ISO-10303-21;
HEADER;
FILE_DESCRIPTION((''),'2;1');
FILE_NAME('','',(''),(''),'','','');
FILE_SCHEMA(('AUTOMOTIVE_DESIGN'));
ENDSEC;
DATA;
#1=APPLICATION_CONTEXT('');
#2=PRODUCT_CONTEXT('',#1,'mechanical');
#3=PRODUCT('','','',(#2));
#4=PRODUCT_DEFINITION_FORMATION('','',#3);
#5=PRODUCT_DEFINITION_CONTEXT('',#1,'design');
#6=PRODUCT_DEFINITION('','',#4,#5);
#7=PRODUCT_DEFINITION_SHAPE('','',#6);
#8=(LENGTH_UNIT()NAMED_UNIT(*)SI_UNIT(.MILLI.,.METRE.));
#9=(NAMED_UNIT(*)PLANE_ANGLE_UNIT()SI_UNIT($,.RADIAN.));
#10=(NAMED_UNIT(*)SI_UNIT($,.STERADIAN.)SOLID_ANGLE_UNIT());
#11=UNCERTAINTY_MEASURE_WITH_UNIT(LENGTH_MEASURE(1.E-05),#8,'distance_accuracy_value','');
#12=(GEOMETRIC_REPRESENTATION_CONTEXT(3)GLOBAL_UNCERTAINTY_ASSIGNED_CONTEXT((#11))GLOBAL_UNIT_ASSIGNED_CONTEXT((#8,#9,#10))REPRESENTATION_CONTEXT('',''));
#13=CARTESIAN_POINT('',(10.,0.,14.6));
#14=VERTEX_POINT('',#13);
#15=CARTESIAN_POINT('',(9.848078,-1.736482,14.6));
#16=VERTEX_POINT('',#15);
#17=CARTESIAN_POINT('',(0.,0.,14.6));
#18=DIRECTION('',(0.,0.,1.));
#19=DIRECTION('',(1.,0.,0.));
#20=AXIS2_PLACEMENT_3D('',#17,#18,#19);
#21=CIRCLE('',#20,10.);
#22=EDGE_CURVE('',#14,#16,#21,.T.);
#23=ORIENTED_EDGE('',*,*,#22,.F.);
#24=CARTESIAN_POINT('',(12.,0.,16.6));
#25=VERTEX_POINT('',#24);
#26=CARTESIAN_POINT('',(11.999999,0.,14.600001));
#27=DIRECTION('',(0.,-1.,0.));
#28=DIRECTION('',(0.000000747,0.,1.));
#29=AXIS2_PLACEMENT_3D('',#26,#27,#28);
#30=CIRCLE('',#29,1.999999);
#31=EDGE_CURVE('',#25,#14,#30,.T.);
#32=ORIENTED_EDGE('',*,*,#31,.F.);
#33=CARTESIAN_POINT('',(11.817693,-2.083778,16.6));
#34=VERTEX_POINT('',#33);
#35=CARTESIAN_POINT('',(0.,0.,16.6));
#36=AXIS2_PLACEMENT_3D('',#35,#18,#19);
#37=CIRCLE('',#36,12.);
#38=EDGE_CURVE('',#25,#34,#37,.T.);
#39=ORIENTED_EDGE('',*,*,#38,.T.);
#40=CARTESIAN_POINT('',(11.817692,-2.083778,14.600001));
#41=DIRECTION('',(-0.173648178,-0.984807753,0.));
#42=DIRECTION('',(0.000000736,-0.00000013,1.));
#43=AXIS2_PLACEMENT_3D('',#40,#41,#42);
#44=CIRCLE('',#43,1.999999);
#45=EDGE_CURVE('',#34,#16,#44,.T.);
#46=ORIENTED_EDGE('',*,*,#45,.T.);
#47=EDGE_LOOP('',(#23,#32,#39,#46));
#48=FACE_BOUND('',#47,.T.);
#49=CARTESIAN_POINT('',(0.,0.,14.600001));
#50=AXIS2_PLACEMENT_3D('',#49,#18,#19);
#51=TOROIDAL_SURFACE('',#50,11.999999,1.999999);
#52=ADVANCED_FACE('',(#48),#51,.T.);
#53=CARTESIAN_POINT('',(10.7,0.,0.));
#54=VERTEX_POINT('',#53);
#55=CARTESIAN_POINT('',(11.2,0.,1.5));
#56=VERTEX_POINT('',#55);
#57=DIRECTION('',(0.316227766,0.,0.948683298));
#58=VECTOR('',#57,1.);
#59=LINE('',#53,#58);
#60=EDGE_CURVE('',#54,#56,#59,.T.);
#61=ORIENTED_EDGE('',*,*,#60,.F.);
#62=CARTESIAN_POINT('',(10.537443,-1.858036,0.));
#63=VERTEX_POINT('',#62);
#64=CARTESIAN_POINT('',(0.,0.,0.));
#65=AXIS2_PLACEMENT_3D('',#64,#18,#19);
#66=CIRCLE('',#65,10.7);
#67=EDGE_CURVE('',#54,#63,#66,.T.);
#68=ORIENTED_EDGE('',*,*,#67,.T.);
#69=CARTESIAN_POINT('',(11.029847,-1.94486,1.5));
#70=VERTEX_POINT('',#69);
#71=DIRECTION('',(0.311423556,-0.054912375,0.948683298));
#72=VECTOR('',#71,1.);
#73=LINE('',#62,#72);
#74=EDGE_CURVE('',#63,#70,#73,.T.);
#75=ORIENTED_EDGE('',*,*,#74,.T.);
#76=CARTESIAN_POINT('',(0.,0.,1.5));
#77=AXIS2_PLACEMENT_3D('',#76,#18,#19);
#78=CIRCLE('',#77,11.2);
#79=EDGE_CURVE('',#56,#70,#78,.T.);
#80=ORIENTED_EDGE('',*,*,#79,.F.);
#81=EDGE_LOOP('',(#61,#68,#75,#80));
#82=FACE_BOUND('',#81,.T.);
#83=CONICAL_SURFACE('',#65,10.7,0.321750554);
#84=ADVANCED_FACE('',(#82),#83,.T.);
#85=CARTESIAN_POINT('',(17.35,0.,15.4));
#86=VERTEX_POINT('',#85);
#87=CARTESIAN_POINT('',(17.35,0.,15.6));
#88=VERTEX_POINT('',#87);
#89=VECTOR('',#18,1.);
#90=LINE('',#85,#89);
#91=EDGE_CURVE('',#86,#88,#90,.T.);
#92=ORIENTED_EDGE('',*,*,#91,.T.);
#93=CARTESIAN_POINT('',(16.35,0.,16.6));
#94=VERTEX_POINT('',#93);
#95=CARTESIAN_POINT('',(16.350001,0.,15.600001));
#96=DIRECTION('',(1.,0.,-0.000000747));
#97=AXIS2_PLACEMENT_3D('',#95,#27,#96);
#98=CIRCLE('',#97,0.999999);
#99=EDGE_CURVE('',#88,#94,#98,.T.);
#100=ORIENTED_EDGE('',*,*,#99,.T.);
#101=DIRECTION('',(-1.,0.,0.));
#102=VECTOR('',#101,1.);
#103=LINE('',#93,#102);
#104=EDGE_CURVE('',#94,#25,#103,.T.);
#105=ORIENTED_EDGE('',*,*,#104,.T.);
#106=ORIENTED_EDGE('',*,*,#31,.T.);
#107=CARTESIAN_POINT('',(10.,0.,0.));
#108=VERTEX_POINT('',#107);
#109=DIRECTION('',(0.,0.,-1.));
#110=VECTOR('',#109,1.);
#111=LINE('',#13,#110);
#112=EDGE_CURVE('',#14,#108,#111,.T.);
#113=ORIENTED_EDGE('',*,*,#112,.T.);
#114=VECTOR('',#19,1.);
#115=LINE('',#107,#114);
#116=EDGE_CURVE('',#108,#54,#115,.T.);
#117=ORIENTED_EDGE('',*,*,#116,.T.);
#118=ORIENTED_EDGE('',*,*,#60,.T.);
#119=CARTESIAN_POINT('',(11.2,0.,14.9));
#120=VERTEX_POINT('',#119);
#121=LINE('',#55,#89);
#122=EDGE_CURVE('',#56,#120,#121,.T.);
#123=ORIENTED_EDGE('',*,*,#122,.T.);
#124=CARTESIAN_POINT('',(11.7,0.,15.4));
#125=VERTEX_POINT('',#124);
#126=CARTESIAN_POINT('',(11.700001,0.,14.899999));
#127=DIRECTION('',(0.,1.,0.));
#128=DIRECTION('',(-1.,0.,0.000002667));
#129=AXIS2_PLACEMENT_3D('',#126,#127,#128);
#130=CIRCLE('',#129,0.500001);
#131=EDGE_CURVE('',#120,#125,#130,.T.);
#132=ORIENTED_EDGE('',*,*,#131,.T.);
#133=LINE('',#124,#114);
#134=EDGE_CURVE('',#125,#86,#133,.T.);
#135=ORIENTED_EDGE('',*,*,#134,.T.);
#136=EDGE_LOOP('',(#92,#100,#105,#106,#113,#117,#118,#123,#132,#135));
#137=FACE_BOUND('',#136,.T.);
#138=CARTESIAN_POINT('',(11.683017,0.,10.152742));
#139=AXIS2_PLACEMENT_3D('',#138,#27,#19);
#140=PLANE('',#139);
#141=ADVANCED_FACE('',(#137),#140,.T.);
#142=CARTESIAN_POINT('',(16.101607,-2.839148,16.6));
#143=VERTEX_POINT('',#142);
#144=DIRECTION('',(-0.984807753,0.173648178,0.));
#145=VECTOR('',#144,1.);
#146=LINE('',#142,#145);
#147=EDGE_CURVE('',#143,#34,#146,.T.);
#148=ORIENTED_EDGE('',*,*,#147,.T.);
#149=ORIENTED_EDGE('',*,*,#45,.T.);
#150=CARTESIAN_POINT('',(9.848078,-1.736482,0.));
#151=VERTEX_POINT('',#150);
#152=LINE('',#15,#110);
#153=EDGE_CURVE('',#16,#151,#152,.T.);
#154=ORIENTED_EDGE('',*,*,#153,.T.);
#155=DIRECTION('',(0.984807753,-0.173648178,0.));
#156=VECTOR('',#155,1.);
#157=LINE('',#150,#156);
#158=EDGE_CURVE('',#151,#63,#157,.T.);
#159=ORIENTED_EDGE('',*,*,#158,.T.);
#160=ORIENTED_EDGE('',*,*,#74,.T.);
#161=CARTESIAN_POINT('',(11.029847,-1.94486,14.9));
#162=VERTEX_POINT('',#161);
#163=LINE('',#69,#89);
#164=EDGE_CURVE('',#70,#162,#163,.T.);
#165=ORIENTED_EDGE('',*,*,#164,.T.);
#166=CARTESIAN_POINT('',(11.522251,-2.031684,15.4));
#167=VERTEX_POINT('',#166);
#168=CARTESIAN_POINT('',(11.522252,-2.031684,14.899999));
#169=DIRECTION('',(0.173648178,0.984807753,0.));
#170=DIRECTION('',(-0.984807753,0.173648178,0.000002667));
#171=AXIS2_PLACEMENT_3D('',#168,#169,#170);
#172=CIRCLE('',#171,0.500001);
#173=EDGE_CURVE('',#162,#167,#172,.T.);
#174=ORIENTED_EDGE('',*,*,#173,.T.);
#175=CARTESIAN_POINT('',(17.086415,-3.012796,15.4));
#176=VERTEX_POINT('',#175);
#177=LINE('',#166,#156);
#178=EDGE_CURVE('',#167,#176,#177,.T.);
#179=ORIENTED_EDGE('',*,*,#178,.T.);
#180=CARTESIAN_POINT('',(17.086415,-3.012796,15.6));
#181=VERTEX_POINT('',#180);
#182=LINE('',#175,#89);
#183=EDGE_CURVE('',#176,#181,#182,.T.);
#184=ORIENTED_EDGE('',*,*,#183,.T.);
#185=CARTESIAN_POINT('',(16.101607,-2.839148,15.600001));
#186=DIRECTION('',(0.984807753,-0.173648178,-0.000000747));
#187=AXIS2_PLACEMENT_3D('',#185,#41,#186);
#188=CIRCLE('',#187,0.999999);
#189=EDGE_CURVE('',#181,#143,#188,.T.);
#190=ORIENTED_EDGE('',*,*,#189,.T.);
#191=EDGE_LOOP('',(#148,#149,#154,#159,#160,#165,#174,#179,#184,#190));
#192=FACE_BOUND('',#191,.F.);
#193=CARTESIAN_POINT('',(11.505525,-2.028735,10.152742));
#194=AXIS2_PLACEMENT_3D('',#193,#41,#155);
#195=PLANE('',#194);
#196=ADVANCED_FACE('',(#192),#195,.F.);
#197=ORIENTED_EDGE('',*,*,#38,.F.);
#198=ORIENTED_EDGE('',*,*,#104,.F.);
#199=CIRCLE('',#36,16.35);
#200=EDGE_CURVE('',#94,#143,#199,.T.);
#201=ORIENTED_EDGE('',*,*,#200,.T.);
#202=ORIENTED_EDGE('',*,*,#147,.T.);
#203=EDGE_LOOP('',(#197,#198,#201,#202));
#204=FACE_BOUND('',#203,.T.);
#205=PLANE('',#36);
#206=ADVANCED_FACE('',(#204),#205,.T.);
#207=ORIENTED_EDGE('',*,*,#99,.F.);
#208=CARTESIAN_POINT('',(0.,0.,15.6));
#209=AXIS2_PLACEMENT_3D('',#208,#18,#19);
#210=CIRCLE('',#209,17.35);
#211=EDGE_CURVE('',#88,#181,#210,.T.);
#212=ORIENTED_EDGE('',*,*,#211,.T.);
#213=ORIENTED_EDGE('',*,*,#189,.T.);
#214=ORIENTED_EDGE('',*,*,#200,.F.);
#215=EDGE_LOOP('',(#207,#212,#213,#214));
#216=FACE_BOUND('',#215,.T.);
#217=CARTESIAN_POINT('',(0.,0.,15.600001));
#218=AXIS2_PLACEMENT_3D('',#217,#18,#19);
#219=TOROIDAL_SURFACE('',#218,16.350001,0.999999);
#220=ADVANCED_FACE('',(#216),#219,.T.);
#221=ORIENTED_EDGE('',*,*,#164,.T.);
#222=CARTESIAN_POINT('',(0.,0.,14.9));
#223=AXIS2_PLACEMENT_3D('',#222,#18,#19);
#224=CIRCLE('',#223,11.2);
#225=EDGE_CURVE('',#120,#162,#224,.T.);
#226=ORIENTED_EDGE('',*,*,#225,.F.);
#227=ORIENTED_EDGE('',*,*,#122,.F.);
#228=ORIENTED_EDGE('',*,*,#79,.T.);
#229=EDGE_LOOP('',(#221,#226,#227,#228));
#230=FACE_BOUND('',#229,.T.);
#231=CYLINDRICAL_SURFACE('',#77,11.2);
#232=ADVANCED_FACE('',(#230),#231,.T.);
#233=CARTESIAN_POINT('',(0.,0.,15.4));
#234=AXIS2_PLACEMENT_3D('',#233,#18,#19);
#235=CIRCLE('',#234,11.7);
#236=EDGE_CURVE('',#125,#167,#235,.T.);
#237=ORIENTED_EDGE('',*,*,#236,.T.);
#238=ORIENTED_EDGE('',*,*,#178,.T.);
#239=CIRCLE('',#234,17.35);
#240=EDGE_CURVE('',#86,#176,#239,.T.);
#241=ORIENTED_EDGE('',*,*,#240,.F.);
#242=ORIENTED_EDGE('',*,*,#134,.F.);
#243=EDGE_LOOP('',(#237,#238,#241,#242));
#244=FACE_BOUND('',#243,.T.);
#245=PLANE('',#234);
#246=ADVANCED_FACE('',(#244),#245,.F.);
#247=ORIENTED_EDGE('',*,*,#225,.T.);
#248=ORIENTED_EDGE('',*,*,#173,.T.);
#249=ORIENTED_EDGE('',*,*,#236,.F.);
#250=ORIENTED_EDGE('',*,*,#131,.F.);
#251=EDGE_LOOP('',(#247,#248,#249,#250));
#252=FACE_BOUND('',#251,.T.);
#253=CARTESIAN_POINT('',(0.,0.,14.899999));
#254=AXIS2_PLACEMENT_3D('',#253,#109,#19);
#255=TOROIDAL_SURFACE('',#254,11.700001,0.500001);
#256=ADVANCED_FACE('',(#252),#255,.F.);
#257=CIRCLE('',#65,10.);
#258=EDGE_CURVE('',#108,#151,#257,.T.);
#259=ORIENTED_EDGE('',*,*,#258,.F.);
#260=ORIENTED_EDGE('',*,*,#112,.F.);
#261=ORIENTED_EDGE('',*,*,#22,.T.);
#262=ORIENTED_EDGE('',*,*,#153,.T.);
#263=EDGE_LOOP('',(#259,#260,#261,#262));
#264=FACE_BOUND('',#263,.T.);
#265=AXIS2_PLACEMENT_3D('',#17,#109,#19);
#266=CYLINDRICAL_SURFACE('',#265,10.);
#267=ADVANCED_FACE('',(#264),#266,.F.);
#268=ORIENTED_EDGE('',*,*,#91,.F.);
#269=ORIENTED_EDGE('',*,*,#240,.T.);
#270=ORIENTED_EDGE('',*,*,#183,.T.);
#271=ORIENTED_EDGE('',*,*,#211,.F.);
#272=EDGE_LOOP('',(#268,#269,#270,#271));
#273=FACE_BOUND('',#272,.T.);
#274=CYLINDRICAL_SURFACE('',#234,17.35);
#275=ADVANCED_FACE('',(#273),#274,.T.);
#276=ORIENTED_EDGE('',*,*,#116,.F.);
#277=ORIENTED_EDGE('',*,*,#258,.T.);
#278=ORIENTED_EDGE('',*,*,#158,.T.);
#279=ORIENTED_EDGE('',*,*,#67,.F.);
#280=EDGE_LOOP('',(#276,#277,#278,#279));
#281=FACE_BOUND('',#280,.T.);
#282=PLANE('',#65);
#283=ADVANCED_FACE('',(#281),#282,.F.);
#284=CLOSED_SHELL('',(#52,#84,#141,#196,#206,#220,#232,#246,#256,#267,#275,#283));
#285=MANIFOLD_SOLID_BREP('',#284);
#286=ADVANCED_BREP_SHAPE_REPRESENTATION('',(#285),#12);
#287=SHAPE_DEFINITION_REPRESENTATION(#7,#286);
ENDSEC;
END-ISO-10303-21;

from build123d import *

# Parameters (mm, degrees)
F1_ANGLE = 350


with BuildPart() as f1:
    # F0 (on Front) → F1 (revolve)
    with BuildSketch(Plane.XZ):
        with BuildLine():
            Line((10, 14.6), (10, 0))
            Line((10, 0), (10.7, 0))
            Line((10.7, 0), (11.2, 1.5))
            Line((11.2, 1.5), (11.2, 14.9))
            ThreePointArc((11.2, 14.9), (11.346447, 15.253553), (11.7, 15.4))
            Line((11.7, 15.4), (17.35, 15.4))
            Line((17.35, 15.4), (17.35, 15.6))
            ThreePointArc((17.35, 15.6), (17.057107, 16.307107), (16.35, 16.6))
            Line((16.35, 16.6), (12, 16.6))
            ThreePointArc((12, 16.6), (10.585786, 16.014214), (10, 14.6))
        make_face()
    revolve(axis=Axis((0, 0, 24.386095), (0, 0, 1)), revolution_arc=F1_ANGLE)


solid = f1.part
